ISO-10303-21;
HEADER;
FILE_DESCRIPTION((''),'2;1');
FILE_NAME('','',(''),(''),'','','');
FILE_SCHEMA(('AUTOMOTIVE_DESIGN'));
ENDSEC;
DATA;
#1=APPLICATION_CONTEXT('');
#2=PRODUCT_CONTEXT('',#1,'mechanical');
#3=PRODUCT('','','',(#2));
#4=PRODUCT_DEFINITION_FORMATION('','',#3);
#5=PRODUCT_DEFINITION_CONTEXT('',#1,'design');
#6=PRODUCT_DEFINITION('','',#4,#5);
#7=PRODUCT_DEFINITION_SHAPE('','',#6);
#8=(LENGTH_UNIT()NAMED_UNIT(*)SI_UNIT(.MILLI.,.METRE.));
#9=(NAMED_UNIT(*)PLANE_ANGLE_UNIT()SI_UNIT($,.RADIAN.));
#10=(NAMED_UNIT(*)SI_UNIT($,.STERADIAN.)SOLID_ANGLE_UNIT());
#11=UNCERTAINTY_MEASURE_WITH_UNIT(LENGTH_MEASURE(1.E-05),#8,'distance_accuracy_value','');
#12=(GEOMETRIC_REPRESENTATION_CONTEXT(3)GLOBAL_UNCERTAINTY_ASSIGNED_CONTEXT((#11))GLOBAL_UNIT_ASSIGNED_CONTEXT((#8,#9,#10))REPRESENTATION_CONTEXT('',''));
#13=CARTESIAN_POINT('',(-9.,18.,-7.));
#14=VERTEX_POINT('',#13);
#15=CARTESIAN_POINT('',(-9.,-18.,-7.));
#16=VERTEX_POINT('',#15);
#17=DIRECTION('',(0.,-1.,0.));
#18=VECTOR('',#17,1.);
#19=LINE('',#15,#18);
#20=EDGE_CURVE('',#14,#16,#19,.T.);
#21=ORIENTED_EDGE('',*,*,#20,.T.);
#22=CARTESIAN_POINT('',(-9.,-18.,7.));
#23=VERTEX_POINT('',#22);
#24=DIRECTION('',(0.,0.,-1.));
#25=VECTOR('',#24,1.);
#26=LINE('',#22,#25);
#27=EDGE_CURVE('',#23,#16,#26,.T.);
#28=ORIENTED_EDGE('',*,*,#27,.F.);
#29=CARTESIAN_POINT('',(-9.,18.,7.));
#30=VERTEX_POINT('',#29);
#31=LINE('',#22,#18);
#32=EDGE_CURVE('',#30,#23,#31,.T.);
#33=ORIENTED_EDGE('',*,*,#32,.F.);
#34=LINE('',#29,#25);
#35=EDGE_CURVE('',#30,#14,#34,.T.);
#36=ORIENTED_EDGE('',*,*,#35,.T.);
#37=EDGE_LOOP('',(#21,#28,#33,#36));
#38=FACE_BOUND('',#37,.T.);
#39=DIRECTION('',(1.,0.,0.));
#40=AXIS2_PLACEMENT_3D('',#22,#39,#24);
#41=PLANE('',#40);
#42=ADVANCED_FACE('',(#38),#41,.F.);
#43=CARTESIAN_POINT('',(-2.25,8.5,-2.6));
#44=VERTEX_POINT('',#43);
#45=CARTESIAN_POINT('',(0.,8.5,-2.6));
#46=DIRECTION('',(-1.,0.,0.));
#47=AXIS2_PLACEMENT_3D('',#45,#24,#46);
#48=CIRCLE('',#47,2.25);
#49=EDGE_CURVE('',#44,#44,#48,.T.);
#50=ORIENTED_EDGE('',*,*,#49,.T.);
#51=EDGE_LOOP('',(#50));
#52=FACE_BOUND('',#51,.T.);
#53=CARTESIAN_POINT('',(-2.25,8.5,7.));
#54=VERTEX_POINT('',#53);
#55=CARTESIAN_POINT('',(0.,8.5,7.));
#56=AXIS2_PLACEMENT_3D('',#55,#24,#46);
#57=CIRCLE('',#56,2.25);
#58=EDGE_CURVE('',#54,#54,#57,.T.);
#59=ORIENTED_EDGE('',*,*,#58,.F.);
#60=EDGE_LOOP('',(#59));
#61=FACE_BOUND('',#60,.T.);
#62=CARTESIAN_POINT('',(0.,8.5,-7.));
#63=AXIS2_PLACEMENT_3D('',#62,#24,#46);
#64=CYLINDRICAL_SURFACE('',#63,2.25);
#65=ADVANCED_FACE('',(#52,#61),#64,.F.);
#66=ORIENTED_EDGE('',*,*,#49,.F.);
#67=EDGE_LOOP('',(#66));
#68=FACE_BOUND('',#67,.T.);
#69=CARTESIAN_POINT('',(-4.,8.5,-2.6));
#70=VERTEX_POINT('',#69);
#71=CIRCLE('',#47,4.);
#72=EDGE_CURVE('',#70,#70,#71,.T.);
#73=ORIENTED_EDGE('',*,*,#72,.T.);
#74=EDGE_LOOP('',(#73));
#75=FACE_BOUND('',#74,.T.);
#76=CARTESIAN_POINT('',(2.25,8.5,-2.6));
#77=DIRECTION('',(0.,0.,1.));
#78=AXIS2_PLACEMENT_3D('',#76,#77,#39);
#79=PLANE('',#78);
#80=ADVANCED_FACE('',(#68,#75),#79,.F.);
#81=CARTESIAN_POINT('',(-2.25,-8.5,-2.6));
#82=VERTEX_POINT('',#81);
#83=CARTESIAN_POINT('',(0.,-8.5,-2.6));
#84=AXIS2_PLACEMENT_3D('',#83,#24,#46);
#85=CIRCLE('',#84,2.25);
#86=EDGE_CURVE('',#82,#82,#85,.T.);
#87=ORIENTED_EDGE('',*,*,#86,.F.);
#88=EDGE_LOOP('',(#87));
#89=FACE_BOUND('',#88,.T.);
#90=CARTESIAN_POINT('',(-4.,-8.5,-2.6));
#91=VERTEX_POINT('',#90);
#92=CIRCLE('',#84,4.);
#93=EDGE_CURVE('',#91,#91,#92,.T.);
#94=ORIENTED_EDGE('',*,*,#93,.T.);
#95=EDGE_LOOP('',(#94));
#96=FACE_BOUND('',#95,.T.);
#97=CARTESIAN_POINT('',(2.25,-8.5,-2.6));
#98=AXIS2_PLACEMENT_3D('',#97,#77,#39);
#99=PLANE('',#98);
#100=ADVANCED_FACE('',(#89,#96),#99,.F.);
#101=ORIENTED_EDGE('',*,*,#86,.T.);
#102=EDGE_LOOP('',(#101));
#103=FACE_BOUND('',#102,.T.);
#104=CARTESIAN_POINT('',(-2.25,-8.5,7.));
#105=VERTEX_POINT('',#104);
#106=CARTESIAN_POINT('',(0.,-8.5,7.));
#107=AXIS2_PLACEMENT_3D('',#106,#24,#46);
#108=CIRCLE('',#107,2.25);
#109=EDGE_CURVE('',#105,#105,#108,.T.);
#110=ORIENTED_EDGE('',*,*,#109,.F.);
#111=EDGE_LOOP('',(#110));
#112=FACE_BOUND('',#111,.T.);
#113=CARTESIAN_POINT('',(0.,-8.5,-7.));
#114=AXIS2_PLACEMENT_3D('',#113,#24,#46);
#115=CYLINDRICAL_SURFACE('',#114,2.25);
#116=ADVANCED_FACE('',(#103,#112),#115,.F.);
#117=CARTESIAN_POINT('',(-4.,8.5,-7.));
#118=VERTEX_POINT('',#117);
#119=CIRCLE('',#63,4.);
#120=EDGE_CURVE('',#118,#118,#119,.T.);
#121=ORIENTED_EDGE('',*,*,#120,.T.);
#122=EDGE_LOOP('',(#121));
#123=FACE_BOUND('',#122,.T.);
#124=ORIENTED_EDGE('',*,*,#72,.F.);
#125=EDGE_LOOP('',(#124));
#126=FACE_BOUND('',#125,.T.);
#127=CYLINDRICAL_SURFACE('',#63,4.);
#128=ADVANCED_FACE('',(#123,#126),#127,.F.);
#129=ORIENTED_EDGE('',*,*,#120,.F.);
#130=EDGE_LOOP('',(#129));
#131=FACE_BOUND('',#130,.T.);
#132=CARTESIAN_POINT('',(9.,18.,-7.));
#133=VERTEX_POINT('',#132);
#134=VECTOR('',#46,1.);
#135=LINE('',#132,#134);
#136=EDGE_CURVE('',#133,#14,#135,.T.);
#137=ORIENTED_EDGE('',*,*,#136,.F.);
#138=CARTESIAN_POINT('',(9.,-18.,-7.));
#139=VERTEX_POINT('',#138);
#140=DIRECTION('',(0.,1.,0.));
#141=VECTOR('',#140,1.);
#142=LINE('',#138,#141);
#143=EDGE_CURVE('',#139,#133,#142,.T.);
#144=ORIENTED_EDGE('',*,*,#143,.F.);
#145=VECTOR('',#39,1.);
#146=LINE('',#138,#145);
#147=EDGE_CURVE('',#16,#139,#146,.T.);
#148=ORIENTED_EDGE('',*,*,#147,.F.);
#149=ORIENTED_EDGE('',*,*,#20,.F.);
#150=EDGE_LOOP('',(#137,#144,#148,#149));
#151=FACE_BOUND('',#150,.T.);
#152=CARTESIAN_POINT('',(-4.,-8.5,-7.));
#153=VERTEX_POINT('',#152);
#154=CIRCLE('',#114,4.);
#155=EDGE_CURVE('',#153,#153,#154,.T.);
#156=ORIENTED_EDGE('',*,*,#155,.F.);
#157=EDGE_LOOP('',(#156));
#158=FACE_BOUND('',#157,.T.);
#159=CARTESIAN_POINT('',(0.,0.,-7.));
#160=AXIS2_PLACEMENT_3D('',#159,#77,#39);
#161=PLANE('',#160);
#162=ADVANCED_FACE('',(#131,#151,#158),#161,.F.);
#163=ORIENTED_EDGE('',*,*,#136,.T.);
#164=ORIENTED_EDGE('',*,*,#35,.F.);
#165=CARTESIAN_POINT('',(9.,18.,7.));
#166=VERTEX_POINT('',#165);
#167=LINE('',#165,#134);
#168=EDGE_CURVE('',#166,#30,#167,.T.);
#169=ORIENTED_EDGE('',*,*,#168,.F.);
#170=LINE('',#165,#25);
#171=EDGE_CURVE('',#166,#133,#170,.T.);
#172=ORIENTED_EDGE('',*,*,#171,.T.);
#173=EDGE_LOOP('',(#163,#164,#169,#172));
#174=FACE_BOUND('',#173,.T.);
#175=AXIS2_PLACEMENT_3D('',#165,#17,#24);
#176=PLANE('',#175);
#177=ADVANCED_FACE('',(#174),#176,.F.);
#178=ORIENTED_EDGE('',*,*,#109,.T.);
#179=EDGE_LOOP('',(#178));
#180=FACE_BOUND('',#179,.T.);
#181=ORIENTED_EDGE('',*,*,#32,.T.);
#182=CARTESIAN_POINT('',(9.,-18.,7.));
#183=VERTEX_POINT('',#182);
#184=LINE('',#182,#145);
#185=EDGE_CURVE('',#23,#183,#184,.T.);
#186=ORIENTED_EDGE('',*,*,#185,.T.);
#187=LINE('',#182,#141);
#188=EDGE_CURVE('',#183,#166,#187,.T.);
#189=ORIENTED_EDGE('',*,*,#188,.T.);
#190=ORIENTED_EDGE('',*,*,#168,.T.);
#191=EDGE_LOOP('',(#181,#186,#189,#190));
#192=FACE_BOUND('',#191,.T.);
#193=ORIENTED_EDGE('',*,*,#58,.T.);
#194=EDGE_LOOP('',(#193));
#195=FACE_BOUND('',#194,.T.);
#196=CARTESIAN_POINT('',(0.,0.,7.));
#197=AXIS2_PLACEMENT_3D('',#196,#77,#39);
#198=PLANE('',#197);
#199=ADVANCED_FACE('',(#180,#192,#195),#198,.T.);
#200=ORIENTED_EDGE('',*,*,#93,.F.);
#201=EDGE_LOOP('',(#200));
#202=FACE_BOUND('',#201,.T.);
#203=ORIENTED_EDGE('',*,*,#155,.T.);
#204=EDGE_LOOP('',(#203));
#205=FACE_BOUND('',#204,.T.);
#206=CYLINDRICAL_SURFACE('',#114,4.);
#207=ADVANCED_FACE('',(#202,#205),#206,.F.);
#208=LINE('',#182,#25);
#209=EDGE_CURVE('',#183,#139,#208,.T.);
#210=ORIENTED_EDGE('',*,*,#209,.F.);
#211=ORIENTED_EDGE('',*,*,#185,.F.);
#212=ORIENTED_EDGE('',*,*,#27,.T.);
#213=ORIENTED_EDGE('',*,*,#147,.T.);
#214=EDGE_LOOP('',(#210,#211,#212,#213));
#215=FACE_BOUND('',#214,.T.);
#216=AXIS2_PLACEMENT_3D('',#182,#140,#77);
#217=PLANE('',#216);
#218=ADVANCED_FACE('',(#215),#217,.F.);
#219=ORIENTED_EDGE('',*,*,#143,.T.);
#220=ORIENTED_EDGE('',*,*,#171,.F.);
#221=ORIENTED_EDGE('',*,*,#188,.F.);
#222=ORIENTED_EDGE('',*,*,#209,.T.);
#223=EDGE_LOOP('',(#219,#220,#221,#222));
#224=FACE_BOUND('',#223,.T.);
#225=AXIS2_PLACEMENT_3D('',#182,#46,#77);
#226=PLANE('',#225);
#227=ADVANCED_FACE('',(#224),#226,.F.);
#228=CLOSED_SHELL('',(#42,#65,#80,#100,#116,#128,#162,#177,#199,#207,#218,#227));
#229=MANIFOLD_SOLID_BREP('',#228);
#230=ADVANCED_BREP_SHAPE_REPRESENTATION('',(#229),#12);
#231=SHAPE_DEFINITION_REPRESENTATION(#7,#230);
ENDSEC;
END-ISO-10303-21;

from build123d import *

# Parameters (mm, degrees)
ESQUISSE1_W                                        = 18
ESQUISSE1_H                                        = 36
BOSS_EXTRU_1_DEPTH                                 = 7
CHAMBRAGE_POUR_VIS_T_TE_HEXAGONALE_M41_D           = 4.5
CHAMBRAGE_POUR_VIS_T_TE_HEXAGONALE_M41_CBORE_D     = 8
CHAMBRAGE_POUR_VIS_T_TE_HEXAGONALE_M41_CBORE_DEPTH = 4.4


with BuildPart() as part:
    # Esquisse1 → Boss.-Extru.1 (new body, symmetric)
    with BuildSketch(Plane.XY):
        Rectangle(ESQUISSE1_W, ESQUISSE1_H)
    extrude(amount=BOSS_EXTRU_1_DEPTH, both=True)

    # Chambrage pour vis à tête hexagonale M41 (through all)
    with Locations(Plane(origin=(0, 0, -7), x_dir=(-1, 0, 0), z_dir=(0, 0, -1))):
        with Locations((0, 8.5), (0, -8.5)):
            CounterBoreHole(CHAMBRAGE_POUR_VIS_T_TE_HEXAGONALE_M41_D / 2, CHAMBRAGE_POUR_VIS_T_TE_HEXAGONALE_M41_CBORE_D / 2, CHAMBRAGE_POUR_VIS_T_TE_HEXAGONALE_M41_CBORE_DEPTH)


solid = part.part
